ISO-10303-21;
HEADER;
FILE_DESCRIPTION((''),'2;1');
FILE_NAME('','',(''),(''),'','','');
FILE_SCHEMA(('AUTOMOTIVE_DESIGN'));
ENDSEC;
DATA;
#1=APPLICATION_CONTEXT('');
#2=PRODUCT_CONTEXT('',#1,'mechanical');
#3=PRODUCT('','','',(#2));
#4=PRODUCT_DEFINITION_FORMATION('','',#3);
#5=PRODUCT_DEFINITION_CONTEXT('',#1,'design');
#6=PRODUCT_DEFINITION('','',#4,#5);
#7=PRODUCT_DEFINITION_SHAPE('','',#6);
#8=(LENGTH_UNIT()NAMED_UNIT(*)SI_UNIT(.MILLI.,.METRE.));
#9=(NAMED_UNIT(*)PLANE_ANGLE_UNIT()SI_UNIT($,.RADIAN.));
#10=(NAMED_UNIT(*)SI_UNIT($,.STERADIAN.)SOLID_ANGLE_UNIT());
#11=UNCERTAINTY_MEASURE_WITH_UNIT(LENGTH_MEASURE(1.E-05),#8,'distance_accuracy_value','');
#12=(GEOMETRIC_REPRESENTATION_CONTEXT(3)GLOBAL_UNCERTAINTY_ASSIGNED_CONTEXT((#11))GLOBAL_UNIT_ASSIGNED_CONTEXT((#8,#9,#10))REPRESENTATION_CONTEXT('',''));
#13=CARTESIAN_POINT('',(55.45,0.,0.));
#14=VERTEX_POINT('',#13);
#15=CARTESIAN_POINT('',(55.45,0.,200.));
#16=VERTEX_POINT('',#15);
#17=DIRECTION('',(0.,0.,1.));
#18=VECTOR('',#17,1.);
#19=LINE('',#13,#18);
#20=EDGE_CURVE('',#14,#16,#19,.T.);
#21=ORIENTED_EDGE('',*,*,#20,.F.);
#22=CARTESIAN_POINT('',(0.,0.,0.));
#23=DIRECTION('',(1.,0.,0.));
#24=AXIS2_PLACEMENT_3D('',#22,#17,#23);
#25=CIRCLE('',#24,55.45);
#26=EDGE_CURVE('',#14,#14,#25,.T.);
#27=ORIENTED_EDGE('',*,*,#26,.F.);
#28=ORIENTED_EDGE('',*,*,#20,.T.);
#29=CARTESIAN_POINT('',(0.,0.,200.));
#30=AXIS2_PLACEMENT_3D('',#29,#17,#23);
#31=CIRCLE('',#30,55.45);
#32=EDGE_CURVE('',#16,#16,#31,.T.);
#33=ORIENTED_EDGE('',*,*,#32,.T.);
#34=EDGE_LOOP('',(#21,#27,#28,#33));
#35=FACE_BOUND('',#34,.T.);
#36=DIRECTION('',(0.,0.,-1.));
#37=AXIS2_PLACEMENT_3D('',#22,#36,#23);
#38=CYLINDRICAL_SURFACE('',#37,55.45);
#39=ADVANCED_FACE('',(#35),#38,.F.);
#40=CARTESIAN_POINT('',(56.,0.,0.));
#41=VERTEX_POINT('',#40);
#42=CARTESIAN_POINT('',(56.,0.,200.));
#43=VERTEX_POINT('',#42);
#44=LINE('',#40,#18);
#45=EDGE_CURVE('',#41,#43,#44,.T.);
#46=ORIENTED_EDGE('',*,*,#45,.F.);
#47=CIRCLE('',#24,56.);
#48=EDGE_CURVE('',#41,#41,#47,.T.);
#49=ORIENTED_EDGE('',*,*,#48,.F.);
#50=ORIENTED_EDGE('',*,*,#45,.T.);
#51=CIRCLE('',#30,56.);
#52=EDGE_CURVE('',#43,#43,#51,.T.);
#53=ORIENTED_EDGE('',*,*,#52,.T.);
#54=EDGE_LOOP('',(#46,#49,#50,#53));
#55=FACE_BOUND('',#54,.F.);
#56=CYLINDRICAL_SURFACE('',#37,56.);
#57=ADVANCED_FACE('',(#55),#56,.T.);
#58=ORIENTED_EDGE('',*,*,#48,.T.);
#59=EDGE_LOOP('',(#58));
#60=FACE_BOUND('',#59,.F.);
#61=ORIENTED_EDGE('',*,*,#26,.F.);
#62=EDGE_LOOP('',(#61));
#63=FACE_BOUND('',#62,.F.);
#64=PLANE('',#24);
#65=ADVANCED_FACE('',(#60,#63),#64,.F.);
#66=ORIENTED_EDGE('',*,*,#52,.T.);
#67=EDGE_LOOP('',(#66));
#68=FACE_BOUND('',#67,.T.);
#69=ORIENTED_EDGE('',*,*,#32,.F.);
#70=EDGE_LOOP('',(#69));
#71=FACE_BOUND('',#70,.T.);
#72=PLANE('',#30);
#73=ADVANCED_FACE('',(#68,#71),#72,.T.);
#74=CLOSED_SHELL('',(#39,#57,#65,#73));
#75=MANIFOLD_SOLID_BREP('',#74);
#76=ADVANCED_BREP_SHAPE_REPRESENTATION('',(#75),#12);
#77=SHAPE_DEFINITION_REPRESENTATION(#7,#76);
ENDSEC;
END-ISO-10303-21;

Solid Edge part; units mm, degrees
sketch "Sketch1" plane through (0, 0, 0) normal (0, 0, 1) x (1, 0, 0)
  circle A0 centre (0, 0) radius 56
  circle A1 centre (0, 0) radius 55.45
extrude "Protrusion1" add sketch "Sketch1" along normal blind 200
